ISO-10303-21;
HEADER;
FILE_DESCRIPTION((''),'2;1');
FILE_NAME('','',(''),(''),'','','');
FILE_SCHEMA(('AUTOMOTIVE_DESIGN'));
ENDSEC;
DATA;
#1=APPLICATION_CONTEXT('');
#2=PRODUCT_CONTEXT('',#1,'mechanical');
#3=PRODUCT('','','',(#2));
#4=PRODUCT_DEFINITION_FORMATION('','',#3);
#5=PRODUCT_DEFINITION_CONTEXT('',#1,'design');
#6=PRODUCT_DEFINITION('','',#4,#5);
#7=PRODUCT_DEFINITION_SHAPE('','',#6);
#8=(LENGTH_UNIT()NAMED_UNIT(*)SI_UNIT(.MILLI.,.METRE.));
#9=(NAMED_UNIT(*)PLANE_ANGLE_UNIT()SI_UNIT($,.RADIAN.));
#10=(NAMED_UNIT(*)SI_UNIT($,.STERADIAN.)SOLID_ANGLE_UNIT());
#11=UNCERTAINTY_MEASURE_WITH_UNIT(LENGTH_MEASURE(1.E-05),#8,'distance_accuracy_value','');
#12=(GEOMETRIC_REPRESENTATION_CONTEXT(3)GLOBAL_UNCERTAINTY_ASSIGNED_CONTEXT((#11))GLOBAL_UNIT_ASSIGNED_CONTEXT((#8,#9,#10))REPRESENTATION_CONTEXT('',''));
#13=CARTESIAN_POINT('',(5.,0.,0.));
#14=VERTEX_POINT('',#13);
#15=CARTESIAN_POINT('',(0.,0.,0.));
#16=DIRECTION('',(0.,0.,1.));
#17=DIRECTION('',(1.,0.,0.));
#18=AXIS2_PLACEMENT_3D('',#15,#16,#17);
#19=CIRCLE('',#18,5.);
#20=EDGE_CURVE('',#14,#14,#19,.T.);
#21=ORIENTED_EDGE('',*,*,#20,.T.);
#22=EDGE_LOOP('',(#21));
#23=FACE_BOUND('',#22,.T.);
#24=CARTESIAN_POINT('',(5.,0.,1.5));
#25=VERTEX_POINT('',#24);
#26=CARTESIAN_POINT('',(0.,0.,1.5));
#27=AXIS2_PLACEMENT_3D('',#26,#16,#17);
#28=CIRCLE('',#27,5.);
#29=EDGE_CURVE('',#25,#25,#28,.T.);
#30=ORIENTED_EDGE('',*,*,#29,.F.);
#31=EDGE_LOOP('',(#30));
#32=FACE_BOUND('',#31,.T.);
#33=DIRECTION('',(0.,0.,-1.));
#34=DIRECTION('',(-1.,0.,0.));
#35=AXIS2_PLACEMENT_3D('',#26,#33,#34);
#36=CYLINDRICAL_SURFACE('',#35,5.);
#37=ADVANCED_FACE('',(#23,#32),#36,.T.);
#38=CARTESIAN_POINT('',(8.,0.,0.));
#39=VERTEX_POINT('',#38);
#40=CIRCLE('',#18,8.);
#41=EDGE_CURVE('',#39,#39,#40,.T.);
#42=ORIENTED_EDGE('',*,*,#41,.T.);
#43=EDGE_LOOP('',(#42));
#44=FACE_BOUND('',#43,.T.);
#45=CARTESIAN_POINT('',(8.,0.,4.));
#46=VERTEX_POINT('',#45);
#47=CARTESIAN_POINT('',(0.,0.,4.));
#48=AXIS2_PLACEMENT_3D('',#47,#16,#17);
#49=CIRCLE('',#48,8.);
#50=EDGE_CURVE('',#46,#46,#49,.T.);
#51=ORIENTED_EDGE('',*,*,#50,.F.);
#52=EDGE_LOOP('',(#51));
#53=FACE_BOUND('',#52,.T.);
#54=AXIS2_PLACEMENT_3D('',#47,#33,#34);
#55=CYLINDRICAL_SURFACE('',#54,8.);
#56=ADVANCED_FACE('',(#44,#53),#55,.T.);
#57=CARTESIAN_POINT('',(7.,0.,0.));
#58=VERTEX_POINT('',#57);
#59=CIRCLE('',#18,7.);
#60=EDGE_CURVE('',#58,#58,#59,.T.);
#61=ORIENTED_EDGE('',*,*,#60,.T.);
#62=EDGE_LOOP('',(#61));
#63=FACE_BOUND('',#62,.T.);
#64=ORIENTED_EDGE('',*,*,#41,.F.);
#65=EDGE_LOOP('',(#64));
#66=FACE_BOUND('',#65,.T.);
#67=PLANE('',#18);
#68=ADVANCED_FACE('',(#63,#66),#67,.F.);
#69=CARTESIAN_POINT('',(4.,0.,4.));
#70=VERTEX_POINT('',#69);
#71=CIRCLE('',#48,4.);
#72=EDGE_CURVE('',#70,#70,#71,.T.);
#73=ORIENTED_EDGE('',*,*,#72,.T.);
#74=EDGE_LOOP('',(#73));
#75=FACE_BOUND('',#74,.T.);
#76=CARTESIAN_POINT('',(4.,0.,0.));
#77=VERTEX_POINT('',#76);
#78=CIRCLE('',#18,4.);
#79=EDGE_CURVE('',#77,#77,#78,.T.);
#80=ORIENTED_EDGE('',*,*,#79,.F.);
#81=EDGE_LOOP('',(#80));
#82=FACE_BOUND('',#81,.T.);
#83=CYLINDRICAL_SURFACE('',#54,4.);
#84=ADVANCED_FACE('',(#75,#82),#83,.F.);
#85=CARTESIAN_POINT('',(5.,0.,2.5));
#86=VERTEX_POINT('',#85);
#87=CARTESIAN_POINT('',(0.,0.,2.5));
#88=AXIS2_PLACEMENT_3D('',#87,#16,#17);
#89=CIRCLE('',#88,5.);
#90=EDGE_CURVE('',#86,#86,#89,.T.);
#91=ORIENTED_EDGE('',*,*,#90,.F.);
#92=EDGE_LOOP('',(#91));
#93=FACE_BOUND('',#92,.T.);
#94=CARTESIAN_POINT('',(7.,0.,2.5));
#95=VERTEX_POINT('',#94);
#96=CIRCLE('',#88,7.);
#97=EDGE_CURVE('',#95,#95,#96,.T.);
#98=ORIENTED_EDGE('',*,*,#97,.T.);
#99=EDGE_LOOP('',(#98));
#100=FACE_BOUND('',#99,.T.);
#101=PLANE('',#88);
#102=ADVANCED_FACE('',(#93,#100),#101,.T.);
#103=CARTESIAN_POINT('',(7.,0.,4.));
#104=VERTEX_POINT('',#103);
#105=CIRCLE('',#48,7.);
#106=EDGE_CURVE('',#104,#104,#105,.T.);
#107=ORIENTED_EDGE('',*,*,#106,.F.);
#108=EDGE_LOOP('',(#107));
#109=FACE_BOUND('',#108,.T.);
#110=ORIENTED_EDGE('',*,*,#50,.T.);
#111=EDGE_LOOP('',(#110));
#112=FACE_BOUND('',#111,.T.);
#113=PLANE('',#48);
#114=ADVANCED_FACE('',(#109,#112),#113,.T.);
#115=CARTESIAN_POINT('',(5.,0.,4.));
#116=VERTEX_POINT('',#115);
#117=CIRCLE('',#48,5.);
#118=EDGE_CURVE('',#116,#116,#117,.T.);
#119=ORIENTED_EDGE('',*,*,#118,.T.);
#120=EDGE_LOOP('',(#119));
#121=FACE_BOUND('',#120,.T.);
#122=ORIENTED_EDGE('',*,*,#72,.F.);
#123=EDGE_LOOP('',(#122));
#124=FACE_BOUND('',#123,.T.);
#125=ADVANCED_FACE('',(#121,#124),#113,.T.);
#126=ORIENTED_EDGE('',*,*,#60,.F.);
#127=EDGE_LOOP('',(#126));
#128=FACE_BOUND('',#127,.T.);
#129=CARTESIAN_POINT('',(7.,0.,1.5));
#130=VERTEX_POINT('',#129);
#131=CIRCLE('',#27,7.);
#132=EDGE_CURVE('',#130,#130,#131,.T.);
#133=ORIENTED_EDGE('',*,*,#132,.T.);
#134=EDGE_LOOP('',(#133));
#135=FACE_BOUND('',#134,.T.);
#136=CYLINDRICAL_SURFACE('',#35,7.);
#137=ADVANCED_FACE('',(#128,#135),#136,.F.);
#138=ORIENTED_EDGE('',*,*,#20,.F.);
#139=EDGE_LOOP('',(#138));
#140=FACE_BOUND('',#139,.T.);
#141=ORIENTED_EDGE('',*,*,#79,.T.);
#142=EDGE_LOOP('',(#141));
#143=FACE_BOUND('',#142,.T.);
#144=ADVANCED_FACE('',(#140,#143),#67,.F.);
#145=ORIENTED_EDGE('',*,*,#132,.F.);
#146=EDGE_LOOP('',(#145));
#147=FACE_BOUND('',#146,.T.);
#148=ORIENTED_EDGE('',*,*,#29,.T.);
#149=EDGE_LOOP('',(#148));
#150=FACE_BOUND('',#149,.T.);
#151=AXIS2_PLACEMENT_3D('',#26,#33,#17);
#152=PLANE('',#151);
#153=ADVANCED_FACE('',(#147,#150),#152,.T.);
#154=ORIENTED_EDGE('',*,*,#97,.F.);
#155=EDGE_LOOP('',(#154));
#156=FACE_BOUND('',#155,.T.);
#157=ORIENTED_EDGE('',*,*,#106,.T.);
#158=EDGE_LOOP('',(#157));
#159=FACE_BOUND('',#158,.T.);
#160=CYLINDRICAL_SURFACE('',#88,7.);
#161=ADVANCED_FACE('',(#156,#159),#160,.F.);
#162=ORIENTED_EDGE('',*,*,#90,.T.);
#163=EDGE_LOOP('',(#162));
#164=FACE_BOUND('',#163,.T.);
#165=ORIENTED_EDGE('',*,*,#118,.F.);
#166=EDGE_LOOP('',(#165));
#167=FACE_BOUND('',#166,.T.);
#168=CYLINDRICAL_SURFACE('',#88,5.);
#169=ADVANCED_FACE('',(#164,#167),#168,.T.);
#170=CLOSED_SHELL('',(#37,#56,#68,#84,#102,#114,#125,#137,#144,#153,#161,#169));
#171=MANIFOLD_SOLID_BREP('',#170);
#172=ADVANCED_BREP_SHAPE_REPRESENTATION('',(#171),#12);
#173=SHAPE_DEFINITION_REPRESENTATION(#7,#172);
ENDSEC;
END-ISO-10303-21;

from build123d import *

# Parameters (mm, degrees)
SKETCH_1_R          = 8
SKETCH_1_R_2        = 4
EXTRUDE_1_DEPTH     = 4
SKETCH_2_R          = 7
SKETCH_2_R_2        = 5
CUT_EXTRUDE_1_DEPTH = 1.5


with BuildPart() as part:
    # 草图1 → 凸台-拉伸1 (new body)
    with BuildSketch(Plane.XY):
        Circle(SKETCH_1_R)
        Circle(SKETCH_1_R_2, mode=Mode.SUBTRACT)
    extrude(amount=EXTRUDE_1_DEPTH)

    # 草图2 → 切除-拉伸1 (cut)
    with BuildSketch(Plane.XY.offset(4)):
        Circle(SKETCH_2_R)
        Circle(SKETCH_2_R_2, mode=Mode.SUBTRACT)
    cut_extrude_1 = extrude(amount=-CUT_EXTRUDE_1_DEPTH, mode=Mode.SUBTRACT)

    # 镜向1: 切除-拉伸1 across plane
    add(cut_extrude_1.mirror(Plane.XY.offset(2)), mode=Mode.SUBTRACT)


solid = part.part
